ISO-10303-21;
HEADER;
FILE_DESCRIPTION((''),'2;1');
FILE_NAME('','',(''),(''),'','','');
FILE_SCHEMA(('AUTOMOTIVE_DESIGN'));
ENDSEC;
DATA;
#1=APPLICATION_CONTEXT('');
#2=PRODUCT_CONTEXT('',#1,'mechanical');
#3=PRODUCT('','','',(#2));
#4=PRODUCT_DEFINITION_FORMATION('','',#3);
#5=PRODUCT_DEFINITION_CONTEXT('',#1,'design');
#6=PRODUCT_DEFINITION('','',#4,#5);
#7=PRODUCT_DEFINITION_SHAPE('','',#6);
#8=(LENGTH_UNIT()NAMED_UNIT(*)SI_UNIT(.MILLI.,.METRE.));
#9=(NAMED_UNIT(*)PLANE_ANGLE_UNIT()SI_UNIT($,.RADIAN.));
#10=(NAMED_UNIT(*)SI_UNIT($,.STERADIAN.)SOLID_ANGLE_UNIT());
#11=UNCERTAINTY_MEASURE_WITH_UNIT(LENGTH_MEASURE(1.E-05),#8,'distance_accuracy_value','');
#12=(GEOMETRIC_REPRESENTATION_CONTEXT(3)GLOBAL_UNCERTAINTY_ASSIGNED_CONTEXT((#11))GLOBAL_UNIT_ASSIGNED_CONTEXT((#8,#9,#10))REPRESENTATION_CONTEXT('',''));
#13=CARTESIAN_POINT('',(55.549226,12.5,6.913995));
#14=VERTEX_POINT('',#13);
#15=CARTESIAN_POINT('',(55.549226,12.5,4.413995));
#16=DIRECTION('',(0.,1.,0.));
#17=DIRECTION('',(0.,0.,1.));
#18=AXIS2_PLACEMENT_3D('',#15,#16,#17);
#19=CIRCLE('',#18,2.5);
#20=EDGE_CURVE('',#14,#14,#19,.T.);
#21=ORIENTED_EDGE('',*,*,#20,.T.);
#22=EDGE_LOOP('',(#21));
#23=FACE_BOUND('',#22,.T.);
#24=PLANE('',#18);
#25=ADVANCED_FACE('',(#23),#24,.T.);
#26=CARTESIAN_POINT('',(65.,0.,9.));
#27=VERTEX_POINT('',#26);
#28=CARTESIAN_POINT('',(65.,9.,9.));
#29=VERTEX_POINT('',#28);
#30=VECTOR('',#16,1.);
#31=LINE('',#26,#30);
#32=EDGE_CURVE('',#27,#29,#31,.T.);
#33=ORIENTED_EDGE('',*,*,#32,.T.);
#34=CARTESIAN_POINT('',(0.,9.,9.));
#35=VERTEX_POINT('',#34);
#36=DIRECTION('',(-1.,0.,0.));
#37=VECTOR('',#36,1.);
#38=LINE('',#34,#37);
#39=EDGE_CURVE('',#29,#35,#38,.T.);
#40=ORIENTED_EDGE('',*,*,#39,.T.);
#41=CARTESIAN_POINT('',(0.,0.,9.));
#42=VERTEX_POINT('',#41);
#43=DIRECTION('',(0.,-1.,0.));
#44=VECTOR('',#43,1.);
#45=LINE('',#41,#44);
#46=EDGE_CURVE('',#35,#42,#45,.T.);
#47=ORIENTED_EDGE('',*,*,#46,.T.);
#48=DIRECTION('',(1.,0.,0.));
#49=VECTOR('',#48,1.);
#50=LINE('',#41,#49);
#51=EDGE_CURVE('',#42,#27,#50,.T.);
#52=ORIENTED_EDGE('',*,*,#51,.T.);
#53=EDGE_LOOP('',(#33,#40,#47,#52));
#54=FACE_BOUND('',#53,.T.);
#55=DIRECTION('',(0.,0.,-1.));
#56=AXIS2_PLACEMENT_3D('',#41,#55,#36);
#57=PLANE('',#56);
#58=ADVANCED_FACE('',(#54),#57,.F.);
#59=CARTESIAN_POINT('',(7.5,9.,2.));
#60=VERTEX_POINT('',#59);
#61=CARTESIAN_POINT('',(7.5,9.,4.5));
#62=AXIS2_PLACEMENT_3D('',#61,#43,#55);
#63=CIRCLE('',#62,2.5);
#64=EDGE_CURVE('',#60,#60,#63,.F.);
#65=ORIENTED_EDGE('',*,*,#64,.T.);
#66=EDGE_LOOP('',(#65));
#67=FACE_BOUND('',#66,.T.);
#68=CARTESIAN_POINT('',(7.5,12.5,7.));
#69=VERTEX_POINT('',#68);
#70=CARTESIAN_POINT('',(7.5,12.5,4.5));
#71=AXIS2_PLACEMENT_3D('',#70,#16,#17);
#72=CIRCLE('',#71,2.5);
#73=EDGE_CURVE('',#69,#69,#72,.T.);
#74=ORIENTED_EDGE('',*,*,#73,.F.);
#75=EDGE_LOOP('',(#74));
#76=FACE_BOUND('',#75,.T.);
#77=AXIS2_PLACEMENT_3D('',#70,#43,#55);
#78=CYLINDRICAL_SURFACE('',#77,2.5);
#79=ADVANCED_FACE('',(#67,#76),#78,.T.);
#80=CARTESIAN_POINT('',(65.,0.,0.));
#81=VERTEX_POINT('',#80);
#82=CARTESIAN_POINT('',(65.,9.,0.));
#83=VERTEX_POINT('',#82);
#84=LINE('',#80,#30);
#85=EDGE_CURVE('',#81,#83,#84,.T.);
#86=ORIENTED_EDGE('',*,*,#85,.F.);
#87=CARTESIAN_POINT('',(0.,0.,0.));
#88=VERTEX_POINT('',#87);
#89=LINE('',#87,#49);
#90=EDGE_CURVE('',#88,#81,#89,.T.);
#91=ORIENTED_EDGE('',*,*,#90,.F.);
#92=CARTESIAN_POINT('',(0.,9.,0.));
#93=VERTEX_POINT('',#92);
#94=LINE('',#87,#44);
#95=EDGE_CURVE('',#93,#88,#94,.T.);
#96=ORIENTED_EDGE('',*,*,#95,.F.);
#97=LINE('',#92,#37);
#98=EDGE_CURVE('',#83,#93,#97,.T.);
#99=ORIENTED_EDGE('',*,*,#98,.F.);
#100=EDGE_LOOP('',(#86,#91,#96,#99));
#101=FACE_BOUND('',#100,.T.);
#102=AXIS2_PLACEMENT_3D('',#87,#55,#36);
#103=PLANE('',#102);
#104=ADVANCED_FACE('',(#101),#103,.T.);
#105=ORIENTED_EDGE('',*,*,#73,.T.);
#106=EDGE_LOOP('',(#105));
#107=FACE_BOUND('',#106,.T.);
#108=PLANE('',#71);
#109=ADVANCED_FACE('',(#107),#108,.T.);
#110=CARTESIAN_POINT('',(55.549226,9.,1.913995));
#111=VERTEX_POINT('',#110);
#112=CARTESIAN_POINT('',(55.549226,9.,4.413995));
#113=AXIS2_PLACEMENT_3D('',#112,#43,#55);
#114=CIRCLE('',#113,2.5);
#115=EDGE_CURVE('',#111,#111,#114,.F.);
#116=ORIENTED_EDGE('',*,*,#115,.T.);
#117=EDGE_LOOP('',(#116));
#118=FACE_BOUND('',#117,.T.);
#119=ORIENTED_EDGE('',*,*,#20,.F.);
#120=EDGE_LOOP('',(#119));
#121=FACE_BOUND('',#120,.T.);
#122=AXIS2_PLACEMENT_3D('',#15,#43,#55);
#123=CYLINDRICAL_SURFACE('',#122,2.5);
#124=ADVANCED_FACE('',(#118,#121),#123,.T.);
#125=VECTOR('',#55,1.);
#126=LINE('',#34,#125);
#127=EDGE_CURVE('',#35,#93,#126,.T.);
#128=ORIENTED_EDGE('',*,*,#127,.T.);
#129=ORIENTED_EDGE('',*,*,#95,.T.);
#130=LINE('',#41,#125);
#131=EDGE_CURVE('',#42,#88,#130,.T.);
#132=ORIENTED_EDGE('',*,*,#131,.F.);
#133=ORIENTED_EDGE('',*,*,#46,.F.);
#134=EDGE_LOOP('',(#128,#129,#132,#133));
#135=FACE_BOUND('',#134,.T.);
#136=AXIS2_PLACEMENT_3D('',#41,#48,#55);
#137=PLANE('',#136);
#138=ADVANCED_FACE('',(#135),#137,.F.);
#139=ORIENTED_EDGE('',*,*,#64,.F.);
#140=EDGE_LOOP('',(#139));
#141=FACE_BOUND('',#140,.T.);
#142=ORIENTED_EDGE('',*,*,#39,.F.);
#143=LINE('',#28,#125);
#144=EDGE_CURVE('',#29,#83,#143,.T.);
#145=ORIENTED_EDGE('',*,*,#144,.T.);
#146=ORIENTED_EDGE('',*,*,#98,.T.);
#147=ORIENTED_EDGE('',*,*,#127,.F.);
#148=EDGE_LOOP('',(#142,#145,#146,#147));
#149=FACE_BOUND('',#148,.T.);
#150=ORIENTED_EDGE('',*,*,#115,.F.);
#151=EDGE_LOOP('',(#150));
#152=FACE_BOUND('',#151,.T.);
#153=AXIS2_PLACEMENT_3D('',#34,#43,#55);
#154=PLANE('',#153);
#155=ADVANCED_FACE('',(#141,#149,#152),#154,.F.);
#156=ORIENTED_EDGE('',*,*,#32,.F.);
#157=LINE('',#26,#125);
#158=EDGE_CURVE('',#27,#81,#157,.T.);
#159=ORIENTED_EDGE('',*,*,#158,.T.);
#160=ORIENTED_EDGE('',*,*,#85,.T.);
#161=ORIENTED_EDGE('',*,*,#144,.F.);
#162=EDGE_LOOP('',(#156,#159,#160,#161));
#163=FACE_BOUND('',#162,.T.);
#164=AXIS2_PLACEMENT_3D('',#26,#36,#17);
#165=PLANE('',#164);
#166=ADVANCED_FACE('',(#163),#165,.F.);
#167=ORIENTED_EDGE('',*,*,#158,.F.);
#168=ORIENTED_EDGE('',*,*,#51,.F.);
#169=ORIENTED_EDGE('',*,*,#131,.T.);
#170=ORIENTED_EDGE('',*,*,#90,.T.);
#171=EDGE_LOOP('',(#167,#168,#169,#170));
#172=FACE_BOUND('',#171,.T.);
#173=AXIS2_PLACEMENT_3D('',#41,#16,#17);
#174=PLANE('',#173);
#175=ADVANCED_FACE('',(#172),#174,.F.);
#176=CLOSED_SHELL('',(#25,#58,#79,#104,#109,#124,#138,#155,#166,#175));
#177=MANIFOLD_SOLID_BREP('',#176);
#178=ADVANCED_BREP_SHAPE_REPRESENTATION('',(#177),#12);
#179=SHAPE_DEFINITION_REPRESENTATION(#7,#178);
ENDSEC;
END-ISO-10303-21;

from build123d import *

# Parameters (mm, degrees)
SKETCH1_W           = 65
SKETCH1_H           = 9
BOSS_EXTRUDE1_DEPTH = 9
SKETCH2_R           = 2.5
BOSS_EXTRUDE2_DEPTH = 3.5
SKETCH3_R           = 2.5
BOSS_EXTRUDE3_DEPTH = 3.5


with BuildPart() as part:
    # Sketch1 → Boss-Extrude1 (new body)
    with BuildSketch(Plane.XY):
        with Locations((32.5, 4.5)):
            Rectangle(SKETCH1_W, SKETCH1_H)
    extrude(amount=BOSS_EXTRUDE1_DEPTH)

    # Sketch2 → Boss-Extrude2 (add)
    with BuildSketch(Plane(origin=(0, 0, 0), x_dir=(1, 0, 0), z_dir=(0, 1, 0))):
        with Locations((7.5, -4.5)):
            Circle(SKETCH2_R)
        with Locations((57.5, -4.5)):
            Circle(SKETCH2_R)
    extrude(amount=BOSS_EXTRUDE2_DEPTH)

    # Sketch3 → Boss-Extrude3 (add)
    with BuildSketch(Plane(origin=(0, 9, 0), x_dir=(1, 0, 0), z_dir=(0, 1, 0))):
        with Locations(Location((7.5, -4.5, 0), (0, 0, 90))):  # turned: the seam where the file's is
            Circle(SKETCH3_R)
        with Locations(Location((55.54922584, -4.413995426, 0), (0, 0, 90))):  # turned: the seam where the file's is
            Circle(SKETCH3_R)
    extrude(amount=BOSS_EXTRUDE3_DEPTH)


solid = part.part
